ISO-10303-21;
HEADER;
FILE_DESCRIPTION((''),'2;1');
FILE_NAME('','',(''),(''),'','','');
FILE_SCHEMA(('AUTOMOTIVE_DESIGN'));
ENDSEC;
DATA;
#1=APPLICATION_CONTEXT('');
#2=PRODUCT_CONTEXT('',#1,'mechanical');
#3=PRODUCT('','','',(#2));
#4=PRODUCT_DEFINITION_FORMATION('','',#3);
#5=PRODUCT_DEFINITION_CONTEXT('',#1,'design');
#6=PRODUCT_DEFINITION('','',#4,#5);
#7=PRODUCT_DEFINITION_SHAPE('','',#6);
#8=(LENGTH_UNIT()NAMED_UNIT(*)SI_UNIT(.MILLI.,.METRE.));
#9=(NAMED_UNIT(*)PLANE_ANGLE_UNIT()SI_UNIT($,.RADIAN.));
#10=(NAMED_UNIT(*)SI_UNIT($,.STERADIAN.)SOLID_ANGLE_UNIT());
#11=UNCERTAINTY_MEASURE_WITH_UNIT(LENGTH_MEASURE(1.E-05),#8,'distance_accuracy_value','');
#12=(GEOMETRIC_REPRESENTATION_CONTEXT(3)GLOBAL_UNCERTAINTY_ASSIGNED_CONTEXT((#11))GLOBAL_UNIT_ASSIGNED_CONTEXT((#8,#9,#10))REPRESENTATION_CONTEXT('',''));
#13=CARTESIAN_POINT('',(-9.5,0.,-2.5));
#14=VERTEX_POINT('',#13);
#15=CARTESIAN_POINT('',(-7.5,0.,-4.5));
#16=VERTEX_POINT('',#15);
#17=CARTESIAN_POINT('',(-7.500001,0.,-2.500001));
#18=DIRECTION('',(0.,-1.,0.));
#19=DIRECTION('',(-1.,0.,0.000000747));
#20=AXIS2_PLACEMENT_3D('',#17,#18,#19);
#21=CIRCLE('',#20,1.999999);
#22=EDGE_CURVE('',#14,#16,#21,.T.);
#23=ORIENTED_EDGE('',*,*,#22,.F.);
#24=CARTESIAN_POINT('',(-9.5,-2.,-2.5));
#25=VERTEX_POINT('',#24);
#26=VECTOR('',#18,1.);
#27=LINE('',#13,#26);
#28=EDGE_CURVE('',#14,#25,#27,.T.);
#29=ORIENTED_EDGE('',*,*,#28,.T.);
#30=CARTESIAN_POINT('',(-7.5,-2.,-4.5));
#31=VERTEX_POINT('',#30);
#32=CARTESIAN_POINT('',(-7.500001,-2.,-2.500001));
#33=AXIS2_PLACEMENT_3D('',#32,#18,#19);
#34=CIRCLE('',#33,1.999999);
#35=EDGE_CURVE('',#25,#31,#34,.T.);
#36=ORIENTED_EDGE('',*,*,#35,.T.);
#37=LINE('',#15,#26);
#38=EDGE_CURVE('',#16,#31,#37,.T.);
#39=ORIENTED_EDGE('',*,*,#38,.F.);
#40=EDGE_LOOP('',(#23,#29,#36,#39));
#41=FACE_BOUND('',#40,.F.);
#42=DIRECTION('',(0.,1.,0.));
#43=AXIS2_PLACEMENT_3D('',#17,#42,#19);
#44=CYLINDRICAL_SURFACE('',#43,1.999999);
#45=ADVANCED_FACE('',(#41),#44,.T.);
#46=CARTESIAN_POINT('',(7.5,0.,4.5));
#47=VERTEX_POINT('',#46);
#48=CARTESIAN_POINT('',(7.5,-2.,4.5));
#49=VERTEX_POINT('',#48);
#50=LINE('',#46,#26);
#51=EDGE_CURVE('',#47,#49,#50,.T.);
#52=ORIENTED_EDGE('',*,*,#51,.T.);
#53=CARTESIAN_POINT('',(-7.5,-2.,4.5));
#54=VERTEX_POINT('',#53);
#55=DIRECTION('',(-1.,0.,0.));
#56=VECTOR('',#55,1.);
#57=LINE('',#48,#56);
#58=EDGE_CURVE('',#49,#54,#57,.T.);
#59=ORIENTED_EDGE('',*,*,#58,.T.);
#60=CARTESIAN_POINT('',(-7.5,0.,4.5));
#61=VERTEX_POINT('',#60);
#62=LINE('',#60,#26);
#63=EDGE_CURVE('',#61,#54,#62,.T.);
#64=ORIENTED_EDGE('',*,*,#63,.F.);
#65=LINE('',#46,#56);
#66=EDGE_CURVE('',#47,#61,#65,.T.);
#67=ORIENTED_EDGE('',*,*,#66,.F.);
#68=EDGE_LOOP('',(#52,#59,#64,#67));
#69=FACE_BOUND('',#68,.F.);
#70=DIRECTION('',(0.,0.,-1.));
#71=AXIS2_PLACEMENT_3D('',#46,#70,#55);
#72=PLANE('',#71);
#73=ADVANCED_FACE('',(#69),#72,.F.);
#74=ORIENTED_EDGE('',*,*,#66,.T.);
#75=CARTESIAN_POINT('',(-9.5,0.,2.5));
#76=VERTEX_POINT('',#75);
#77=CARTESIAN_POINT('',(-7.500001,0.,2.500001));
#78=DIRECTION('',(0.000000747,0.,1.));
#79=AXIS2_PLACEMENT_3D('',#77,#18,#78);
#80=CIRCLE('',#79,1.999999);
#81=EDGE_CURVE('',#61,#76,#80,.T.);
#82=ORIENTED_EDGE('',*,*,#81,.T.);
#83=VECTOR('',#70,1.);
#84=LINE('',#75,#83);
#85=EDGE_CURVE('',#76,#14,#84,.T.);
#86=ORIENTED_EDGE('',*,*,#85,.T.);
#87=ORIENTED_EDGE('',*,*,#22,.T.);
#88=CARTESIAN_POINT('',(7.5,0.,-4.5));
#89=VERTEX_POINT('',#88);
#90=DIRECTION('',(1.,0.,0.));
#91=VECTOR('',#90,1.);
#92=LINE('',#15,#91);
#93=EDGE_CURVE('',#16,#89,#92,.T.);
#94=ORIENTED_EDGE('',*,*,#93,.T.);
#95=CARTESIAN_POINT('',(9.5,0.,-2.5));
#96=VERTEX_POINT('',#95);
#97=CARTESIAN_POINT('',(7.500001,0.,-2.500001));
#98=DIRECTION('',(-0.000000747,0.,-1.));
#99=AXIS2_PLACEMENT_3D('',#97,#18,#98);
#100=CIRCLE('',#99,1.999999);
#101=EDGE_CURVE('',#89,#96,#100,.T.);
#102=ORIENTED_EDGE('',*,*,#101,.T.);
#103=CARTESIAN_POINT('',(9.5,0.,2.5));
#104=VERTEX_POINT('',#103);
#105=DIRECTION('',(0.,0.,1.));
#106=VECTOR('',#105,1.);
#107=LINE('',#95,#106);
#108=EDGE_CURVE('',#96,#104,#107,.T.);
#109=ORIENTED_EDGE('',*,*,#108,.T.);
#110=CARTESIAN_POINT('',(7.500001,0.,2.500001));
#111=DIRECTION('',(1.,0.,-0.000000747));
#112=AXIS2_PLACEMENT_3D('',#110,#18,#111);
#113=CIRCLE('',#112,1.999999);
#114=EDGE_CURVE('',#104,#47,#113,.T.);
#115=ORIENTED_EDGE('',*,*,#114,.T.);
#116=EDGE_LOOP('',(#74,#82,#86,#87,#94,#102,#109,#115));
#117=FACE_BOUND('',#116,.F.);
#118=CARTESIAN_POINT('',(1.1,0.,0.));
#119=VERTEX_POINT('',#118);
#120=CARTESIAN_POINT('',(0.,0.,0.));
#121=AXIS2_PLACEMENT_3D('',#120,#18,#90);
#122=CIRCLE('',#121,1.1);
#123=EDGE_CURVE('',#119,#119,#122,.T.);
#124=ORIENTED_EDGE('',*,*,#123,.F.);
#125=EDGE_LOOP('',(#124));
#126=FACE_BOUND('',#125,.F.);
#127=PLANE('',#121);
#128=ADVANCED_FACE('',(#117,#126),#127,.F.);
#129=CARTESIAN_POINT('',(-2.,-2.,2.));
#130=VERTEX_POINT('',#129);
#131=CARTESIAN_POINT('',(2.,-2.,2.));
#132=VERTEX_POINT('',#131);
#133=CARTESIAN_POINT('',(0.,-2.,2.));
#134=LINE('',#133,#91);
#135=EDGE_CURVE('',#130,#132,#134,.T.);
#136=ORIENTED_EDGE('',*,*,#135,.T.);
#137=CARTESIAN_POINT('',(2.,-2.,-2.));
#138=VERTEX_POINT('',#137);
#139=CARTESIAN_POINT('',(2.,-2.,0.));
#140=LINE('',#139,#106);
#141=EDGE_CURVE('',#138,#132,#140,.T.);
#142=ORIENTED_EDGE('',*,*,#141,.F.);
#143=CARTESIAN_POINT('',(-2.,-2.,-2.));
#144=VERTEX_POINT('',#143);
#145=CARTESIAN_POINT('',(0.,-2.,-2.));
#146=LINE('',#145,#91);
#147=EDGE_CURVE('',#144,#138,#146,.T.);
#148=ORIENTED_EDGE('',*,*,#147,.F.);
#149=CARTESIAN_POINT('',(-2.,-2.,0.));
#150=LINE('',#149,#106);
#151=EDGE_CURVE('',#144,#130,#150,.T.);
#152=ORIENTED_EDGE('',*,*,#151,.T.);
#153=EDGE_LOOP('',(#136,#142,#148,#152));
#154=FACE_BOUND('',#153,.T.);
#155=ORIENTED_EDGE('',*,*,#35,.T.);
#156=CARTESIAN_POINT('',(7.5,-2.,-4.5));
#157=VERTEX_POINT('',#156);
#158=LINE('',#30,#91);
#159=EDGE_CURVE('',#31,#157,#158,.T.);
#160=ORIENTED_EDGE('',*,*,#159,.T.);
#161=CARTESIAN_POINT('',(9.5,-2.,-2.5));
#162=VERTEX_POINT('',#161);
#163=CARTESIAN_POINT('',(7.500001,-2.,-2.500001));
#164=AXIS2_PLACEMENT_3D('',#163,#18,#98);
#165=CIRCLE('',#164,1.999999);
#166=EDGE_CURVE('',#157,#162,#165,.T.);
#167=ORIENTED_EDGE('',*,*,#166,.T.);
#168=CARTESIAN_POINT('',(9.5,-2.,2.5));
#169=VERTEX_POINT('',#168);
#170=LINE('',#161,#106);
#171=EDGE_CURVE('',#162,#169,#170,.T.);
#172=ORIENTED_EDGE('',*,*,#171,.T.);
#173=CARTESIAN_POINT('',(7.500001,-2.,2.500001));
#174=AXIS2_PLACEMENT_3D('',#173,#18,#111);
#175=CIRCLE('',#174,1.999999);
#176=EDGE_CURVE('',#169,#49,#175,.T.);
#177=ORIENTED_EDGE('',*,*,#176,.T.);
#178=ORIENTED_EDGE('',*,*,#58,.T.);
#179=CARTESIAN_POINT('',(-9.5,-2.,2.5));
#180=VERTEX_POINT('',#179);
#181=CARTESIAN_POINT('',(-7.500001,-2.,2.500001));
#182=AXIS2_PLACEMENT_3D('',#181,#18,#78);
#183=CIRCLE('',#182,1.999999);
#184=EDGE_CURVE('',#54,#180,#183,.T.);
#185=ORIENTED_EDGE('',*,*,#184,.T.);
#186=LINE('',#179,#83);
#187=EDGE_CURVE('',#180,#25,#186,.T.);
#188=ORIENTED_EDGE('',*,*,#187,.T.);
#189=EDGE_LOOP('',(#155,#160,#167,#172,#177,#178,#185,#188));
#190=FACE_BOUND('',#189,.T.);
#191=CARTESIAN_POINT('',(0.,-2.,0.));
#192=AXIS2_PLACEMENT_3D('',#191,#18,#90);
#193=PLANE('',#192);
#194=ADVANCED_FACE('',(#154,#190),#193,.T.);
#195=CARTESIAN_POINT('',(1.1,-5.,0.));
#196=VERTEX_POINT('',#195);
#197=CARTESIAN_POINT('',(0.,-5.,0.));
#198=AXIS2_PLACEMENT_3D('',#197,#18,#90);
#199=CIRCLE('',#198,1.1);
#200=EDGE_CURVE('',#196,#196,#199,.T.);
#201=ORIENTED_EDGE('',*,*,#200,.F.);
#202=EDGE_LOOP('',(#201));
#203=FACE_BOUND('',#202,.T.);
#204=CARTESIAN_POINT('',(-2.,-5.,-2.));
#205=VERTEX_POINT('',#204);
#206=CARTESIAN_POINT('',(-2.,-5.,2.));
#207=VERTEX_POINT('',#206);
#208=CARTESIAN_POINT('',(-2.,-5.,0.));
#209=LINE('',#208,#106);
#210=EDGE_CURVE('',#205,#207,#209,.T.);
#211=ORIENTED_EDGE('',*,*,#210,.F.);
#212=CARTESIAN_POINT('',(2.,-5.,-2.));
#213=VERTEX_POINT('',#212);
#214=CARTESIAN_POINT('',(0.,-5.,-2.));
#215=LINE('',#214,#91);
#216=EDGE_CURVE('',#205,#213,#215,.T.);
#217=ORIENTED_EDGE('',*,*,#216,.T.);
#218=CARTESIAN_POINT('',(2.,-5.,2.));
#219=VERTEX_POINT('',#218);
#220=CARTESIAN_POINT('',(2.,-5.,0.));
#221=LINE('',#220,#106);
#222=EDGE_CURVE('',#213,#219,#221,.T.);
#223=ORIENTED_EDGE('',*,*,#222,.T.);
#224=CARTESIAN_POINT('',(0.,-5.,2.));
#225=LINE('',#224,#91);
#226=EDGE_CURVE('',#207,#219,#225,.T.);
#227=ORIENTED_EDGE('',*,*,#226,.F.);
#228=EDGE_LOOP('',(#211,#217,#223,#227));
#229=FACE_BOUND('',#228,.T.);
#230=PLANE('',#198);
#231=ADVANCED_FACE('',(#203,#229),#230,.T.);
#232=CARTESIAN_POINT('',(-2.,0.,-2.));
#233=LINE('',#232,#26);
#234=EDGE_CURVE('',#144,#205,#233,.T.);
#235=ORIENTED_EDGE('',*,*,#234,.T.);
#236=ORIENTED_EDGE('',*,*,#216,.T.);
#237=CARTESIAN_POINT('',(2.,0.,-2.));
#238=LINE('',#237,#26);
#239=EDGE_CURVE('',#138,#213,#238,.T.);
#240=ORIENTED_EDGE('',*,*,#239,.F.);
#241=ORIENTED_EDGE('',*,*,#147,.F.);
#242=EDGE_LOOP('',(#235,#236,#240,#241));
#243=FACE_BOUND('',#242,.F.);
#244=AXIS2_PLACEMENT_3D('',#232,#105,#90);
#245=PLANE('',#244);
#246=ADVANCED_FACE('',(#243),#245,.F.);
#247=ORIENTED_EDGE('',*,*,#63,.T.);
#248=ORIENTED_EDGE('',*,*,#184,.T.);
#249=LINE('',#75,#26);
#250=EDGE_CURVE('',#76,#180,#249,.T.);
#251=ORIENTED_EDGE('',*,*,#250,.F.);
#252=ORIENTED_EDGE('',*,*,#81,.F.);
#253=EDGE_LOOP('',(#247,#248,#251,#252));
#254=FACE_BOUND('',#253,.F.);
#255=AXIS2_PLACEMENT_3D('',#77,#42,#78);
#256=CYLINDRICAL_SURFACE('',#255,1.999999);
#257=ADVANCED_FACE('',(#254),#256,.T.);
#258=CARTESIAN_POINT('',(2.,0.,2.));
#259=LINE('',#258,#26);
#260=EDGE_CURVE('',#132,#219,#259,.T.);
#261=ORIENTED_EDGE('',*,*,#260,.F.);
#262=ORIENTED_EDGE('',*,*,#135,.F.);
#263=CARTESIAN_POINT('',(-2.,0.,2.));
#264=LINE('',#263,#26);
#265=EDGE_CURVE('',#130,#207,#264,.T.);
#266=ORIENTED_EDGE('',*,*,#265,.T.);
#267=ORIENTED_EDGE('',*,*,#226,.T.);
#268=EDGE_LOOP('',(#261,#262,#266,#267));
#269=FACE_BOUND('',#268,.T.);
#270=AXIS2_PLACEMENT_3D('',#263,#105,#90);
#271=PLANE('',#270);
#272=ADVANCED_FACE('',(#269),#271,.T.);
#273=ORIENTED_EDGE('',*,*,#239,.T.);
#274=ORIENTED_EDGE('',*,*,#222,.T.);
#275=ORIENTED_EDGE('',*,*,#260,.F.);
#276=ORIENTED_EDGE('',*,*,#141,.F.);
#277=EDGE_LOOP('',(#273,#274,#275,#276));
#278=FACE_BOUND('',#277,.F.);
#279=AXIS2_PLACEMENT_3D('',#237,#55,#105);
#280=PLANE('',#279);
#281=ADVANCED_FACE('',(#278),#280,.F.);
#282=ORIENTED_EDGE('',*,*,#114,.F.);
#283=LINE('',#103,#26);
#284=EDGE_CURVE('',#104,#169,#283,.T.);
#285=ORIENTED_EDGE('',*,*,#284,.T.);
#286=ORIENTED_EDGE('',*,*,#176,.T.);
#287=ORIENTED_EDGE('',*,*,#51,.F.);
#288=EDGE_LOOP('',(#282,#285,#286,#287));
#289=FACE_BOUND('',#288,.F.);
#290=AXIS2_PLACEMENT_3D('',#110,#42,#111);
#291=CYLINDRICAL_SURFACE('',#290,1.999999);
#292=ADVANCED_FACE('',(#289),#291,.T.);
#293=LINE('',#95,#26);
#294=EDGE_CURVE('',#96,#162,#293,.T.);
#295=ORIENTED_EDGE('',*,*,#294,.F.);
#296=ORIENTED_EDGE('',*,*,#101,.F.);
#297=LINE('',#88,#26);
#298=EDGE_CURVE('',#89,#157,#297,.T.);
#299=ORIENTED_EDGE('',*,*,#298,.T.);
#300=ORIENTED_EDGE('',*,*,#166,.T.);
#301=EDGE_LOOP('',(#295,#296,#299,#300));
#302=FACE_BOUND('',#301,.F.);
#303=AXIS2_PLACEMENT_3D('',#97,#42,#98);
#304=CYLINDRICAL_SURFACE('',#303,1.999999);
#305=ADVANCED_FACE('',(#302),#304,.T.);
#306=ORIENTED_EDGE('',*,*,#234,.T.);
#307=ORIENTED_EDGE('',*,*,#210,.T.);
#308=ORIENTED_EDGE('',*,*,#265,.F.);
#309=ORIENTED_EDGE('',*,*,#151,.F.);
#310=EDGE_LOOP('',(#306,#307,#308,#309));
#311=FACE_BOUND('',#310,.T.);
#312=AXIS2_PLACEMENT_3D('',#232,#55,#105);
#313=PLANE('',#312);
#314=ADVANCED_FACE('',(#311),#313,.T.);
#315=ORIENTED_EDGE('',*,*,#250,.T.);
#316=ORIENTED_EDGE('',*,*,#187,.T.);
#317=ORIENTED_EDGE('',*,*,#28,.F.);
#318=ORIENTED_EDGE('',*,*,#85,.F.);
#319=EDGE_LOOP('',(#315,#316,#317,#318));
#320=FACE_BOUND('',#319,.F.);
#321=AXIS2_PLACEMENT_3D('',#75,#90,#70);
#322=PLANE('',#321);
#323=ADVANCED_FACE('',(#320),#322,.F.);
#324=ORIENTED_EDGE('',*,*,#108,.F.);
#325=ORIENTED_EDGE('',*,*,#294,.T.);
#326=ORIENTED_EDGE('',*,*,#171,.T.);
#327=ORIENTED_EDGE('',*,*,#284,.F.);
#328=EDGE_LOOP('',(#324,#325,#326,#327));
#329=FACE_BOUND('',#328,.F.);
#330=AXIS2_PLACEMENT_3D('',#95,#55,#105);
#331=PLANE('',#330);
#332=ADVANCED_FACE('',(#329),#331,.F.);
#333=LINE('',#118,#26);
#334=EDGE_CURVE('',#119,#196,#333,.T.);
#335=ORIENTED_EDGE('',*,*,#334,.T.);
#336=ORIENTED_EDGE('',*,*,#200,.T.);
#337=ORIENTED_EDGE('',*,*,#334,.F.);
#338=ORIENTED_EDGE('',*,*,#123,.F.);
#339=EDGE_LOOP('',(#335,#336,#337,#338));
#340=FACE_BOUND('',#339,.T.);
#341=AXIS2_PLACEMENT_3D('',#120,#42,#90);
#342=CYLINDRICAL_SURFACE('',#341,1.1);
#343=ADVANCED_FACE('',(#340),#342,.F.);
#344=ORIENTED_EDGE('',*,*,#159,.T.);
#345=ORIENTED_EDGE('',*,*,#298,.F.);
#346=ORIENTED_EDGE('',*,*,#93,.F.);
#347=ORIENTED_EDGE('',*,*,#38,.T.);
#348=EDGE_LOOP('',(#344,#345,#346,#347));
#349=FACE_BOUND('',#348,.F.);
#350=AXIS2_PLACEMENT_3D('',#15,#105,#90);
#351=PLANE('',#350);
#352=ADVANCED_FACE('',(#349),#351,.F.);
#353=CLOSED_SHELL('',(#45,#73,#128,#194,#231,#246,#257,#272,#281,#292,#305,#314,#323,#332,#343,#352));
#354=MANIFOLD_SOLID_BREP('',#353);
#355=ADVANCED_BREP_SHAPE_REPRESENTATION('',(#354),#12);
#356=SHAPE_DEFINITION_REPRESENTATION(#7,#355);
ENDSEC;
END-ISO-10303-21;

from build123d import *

# Parameters (mm, degrees)
F0_W     = 4
F0_H     = 4
F1_DEPTH = 2
F0_R     = 1.1
F2_DEPTH = 5


with BuildPart() as f1:
    # F0 (on Front) → F1 (new body)
    with BuildSketch(Plane.XZ):
        with BuildLine():
            Line((-7.5, -4.5), (7.5, -4.5))
            ThreePointArc((7.5, -4.5), (8.914214, -3.914214), (9.5, -2.5))
            Line((9.5, -2.5), (9.5, 2.5))
            ThreePointArc((9.5, 2.5), (8.914214, 3.914214), (7.5, 4.5))
            Line((7.5, 4.5), (-7.5, 4.5))
            ThreePointArc((-7.5, 4.5), (-8.914214, 3.914214), (-9.5, 2.5))
            Line((-9.5, 2.5), (-9.5, -2.5))
            ThreePointArc((-9.5, -2.5), (-8.914214, -3.914214), (-7.5, -4.5))
        make_face()
        Rectangle(F0_W, F0_H, mode=Mode.SUBTRACT)
    extrude(amount=F1_DEPTH)

    # F0 (on Front) → F2 (join)
    with BuildSketch(Plane.XZ):
        Rectangle(F0_W, F0_H)
        Circle(F0_R, mode=Mode.SUBTRACT)
    extrude(amount=F2_DEPTH)


solid = f1.part
